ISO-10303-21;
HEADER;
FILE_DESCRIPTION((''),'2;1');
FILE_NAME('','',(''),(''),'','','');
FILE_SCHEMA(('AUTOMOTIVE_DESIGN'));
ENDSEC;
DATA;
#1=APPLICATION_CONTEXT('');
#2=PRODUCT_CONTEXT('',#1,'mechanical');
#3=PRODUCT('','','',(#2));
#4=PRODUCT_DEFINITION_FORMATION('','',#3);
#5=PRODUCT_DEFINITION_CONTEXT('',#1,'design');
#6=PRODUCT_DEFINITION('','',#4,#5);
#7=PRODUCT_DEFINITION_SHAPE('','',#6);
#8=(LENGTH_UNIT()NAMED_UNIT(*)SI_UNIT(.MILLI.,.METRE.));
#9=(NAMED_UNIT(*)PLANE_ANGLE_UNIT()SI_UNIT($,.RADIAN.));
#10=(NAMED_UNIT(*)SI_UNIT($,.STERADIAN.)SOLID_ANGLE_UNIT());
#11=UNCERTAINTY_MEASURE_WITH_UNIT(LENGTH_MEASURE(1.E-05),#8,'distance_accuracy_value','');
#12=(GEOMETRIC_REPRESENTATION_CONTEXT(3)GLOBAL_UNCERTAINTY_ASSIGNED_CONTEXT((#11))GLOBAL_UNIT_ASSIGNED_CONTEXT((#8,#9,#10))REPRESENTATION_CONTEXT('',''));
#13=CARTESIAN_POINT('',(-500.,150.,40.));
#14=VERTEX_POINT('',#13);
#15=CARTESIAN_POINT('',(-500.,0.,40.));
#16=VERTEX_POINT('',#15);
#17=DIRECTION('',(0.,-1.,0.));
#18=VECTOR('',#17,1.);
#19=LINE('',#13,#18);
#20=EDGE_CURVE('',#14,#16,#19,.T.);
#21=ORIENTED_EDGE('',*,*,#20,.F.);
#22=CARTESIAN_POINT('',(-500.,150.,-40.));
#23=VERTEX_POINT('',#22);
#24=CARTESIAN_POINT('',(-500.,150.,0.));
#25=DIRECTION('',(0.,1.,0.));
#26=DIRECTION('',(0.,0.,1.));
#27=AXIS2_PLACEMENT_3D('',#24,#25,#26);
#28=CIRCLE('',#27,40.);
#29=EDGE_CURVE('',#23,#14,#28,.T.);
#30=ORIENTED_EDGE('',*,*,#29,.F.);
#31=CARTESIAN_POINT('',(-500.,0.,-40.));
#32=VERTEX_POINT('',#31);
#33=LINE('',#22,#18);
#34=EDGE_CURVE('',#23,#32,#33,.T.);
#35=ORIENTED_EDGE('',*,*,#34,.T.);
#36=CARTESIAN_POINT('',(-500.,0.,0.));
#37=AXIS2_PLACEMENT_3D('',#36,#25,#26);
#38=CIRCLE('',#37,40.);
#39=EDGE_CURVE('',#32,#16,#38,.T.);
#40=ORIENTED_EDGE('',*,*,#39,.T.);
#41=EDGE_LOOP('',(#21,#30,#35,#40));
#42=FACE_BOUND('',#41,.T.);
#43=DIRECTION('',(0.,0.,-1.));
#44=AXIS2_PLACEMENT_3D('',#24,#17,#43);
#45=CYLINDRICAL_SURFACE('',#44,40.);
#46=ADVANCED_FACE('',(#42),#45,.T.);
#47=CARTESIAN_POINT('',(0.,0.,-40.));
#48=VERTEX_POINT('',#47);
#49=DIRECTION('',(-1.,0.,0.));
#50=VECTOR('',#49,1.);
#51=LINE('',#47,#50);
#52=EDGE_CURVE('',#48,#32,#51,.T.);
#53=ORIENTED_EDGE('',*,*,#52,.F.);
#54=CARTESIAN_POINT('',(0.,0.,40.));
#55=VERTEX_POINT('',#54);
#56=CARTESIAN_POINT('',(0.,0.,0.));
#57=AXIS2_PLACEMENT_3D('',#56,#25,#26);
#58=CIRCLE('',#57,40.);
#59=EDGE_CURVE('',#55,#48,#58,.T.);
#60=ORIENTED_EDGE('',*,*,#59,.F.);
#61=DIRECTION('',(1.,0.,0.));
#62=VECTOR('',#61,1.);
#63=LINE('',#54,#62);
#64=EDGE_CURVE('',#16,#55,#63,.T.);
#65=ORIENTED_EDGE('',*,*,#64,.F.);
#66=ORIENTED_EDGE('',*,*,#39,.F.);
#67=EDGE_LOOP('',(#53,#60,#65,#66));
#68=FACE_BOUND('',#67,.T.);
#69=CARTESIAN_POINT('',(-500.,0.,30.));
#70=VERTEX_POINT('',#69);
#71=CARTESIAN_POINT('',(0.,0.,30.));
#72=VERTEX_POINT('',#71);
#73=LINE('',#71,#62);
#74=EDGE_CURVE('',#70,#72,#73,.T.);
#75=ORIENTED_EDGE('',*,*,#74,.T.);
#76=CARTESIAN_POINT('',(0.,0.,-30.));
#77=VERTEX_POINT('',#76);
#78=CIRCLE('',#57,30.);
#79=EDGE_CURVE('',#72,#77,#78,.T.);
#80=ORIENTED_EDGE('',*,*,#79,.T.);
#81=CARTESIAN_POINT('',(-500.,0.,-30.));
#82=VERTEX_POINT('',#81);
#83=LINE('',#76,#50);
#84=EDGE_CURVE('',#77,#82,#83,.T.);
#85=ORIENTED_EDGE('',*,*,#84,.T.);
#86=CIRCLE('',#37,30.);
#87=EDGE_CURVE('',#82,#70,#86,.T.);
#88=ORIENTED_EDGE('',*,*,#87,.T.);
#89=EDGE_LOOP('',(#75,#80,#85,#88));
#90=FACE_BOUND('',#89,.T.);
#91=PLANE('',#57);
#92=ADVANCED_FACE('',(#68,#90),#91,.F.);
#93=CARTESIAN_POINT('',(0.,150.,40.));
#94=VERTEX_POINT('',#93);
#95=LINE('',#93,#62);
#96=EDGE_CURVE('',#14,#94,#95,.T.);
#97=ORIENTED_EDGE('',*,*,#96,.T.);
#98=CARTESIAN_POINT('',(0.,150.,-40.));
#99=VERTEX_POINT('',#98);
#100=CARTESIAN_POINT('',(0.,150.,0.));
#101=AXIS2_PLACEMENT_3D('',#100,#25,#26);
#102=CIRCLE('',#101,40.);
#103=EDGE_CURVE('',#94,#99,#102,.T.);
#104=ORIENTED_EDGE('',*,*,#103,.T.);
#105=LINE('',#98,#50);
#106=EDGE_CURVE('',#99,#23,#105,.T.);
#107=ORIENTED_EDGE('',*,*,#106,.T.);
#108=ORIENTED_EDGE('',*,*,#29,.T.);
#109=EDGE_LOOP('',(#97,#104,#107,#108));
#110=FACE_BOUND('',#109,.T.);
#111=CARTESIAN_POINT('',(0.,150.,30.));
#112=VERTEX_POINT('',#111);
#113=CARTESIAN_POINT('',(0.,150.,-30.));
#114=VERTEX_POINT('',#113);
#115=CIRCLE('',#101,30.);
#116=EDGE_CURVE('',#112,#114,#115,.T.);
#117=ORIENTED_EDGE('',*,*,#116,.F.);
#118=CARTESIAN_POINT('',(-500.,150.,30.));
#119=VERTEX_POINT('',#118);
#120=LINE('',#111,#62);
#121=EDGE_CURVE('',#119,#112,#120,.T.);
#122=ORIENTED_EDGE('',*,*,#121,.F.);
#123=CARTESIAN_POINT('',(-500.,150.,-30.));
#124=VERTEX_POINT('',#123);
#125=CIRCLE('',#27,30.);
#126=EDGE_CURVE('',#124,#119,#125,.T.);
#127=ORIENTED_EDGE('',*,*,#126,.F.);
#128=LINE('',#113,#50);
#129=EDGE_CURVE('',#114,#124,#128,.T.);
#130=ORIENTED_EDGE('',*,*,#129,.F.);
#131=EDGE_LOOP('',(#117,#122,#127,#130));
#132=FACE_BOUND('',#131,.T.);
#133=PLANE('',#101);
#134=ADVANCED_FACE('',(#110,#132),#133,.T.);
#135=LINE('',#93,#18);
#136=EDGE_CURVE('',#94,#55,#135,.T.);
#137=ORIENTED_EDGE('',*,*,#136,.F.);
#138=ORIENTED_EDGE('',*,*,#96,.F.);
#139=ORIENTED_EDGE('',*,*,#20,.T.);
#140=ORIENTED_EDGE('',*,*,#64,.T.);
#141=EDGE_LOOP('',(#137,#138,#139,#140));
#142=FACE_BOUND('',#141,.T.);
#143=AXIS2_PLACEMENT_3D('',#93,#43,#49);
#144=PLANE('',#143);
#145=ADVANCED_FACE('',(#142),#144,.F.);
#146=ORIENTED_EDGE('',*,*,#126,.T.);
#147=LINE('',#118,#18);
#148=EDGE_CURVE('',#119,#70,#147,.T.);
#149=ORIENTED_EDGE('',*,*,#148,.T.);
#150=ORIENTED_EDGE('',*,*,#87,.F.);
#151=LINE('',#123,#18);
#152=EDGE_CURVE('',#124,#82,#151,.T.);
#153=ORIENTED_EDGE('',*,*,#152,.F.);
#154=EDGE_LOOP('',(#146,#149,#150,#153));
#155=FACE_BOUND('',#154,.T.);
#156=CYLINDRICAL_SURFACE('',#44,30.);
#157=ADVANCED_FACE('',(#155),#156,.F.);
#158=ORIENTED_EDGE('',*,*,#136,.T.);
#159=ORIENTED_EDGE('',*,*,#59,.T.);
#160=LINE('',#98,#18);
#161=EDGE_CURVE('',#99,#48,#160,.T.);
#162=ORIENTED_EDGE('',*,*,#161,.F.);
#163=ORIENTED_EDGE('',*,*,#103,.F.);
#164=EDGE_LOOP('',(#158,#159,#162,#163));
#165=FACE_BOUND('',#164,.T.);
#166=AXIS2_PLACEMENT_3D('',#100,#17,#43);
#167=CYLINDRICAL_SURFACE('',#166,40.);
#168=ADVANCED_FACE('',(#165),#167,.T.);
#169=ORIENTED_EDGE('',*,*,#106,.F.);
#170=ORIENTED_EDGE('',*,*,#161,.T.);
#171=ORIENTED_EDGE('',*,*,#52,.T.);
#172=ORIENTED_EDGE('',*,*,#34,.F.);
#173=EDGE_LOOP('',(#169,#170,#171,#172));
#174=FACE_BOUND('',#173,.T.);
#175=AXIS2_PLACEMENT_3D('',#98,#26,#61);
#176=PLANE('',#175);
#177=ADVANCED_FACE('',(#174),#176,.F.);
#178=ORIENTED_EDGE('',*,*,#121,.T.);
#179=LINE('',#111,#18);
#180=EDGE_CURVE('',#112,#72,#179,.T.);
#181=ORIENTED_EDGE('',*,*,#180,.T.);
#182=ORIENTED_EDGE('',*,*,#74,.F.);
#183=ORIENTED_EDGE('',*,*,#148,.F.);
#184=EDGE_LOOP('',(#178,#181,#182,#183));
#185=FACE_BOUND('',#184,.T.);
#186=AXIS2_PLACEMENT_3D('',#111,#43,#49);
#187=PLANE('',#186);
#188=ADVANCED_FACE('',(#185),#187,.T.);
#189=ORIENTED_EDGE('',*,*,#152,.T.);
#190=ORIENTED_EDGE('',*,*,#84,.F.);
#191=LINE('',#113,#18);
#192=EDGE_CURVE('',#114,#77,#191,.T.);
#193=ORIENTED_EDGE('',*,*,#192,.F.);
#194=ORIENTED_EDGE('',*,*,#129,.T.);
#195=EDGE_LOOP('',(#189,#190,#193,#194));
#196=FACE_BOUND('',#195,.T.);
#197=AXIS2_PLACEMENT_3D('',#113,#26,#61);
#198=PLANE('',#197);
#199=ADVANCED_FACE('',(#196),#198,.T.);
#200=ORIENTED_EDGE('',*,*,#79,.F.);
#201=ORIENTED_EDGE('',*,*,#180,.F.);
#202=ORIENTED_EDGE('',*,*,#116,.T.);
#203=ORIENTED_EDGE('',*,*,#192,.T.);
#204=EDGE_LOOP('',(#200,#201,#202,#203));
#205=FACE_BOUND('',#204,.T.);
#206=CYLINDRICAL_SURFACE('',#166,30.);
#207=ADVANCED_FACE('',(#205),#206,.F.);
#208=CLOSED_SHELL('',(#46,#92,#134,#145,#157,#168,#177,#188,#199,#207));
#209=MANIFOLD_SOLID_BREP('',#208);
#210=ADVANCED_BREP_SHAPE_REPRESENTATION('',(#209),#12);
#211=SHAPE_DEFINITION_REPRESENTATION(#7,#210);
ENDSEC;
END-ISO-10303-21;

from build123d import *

# Parameters (mm, degrees)
BOSS_EXTRUDE1_DEPTH = 150


with BuildPart() as part:
    # Sketch1 → Boss-Extrude1 (new body)
    with BuildSketch(Plane(origin=(0, 0, 0), x_dir=(1, 0, 0), z_dir=(0, 1, 0))):
        with BuildLine():
            Line((0, -40), (-500, -40))
            ThreePointArc((-500, -40), (-540, 0), (-500, 40))
            Line((-500, 40), (0, 40))
            ThreePointArc((0, 40), (40, 0), (0, -40))
        make_face()
        with BuildLine():
            Line((0, -30), (-500, -30))
            ThreePointArc((-500, -30), (-530, 0), (-500, 30))
            Line((-500, 30), (0, 30))
            ThreePointArc((0, 30), (30, 0), (0, -30))
        make_face(mode=Mode.SUBTRACT)
    extrude(amount=BOSS_EXTRUDE1_DEPTH)


solid = part.part
